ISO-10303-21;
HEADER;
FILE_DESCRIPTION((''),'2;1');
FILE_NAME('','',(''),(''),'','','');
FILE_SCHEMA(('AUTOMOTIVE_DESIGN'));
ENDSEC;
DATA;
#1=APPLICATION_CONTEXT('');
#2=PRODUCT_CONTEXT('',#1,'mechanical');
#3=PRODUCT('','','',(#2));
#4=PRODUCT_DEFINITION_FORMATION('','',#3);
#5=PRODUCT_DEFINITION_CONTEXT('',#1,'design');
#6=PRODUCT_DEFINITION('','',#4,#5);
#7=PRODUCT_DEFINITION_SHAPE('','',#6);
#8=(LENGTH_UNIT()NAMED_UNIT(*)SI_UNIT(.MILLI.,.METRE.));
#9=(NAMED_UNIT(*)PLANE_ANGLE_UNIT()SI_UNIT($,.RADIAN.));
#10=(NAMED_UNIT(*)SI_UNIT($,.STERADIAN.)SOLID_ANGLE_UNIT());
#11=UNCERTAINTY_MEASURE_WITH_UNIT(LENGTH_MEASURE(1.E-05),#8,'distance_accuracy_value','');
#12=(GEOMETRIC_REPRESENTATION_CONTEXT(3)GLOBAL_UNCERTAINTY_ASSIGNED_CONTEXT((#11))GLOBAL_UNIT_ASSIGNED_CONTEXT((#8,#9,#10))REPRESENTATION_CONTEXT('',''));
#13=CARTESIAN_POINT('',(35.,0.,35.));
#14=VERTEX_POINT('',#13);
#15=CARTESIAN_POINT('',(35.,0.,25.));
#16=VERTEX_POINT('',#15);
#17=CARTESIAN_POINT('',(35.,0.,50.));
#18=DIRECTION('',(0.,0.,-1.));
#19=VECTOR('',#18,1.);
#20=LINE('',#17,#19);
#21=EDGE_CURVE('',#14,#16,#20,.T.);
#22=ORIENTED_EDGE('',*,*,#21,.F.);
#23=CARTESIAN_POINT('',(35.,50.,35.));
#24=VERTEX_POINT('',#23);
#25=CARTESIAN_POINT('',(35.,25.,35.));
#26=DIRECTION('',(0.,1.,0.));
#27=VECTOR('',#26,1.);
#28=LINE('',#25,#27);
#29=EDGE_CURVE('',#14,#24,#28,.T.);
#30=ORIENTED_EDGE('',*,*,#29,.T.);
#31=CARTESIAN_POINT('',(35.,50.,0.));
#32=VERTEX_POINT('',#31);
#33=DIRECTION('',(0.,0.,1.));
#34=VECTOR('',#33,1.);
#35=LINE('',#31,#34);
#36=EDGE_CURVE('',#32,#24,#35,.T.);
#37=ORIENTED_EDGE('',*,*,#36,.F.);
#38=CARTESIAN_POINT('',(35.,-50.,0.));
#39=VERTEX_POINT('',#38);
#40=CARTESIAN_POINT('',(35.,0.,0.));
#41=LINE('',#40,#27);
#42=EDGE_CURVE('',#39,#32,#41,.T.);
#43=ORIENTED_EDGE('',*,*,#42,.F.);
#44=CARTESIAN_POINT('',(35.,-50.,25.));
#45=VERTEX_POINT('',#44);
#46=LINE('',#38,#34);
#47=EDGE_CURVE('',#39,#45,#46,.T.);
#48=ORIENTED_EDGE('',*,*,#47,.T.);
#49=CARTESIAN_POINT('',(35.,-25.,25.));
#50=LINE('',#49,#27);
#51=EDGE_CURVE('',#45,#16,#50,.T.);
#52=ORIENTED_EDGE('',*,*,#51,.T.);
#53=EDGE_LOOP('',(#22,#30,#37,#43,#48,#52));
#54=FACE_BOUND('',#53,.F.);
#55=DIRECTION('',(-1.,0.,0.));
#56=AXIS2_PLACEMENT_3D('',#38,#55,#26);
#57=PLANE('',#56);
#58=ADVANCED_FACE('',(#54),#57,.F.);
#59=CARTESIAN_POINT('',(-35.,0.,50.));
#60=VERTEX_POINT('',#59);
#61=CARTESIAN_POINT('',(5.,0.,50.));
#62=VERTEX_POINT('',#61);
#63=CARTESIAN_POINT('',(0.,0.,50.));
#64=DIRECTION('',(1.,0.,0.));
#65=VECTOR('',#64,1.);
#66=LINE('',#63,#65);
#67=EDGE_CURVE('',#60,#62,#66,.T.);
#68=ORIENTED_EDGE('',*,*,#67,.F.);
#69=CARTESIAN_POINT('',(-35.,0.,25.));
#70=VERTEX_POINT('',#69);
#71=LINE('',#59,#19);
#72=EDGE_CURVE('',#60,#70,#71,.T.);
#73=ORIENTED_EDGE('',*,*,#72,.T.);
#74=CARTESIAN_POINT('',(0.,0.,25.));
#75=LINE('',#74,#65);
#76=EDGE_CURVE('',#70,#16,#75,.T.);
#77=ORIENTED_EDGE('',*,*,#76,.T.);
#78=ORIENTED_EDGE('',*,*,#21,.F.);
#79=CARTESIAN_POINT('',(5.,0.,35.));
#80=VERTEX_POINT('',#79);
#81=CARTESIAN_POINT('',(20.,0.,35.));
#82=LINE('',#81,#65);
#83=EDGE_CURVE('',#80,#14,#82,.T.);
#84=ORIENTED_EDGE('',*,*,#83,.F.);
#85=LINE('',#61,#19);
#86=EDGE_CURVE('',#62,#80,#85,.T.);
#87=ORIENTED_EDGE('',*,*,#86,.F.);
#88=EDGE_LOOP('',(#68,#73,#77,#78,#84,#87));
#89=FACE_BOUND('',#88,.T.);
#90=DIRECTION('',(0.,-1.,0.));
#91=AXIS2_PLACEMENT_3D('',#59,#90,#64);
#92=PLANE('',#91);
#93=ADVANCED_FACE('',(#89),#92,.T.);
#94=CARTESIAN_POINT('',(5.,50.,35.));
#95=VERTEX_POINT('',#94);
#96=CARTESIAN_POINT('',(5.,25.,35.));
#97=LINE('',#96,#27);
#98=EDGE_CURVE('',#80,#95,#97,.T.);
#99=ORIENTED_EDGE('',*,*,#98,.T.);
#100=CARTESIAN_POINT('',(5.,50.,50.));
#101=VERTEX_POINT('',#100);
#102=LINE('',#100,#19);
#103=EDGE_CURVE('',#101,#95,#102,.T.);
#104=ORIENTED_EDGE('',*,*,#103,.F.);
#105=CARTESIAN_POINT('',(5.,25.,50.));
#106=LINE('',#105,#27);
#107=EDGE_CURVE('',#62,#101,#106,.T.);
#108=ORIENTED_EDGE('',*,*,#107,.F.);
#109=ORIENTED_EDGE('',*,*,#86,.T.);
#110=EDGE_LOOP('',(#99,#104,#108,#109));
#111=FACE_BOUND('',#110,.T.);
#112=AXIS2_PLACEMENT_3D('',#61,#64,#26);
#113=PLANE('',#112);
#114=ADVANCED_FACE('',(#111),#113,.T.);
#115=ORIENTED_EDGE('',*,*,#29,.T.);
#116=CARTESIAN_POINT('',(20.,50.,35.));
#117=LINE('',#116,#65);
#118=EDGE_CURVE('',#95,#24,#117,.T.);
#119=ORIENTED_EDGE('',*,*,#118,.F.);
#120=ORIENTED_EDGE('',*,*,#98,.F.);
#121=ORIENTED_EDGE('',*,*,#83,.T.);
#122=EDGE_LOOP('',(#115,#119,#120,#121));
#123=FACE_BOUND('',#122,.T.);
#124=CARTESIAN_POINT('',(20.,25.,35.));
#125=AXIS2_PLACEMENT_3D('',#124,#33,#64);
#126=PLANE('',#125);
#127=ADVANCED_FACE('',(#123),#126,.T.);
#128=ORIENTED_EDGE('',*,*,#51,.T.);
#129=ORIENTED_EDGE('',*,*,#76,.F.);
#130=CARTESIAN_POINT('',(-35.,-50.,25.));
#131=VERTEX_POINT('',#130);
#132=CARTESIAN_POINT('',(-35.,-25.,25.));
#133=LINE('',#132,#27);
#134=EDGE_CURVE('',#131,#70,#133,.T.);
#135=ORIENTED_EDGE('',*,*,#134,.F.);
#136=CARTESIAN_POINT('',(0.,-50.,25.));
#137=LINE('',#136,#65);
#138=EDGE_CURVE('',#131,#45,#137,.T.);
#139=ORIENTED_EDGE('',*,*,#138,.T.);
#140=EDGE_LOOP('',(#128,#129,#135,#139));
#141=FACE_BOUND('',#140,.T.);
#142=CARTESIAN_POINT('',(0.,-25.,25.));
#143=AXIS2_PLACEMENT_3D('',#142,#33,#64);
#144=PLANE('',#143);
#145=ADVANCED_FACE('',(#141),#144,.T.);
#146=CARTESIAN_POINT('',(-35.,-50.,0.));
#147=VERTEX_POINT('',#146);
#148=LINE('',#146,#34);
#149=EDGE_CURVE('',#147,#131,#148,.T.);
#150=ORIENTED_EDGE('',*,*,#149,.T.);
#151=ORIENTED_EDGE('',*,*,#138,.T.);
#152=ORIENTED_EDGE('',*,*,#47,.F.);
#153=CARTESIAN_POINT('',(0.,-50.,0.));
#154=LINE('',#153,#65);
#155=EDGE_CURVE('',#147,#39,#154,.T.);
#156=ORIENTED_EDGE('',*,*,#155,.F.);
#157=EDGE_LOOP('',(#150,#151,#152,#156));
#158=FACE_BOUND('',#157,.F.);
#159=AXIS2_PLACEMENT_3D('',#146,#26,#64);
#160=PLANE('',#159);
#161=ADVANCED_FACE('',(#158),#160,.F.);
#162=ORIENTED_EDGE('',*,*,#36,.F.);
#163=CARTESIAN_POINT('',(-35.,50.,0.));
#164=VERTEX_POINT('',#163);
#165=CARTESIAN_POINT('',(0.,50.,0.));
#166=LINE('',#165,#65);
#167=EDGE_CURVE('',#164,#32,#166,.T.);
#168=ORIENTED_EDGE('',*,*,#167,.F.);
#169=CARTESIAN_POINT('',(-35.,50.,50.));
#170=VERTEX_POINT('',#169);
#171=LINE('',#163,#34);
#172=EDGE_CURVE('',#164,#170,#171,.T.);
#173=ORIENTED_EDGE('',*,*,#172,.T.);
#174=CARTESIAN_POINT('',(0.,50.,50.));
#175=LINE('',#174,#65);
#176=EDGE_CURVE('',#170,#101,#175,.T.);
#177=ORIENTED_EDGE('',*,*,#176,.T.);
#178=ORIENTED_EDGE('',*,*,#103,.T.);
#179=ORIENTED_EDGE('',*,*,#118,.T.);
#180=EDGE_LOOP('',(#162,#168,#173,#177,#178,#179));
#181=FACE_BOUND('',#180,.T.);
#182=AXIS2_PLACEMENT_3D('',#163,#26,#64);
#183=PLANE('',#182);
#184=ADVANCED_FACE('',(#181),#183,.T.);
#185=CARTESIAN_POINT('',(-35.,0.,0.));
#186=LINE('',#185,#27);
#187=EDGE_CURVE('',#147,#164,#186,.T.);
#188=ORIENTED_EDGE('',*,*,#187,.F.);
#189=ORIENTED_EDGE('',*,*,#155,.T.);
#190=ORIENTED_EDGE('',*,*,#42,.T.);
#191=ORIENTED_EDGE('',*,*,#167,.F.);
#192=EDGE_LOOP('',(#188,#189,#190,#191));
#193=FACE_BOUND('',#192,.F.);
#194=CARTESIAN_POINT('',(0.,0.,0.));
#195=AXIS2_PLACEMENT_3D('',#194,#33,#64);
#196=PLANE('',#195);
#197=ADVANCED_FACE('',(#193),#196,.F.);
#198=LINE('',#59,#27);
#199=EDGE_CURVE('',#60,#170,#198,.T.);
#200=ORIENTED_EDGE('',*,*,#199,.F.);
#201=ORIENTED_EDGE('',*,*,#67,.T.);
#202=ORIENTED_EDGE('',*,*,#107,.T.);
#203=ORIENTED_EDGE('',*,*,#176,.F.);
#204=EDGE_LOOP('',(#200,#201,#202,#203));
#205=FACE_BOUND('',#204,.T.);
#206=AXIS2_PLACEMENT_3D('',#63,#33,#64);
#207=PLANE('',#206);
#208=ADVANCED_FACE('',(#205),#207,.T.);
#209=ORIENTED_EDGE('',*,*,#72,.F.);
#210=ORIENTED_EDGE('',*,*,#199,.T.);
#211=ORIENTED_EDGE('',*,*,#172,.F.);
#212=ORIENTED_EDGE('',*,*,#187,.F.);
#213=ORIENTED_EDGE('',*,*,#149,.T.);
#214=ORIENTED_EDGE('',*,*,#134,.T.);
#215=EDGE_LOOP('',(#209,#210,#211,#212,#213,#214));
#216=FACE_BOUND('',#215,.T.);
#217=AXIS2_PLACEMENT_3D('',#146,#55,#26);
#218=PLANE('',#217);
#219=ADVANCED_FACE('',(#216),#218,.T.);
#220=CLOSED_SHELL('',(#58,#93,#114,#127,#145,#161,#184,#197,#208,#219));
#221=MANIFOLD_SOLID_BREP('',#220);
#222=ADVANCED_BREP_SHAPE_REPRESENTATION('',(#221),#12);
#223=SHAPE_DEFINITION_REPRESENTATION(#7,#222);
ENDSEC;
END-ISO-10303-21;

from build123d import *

# Parameters (mm, degrees)
F0_W     = 70
F0_H     = 100
F1_DEPTH = 50
F2_W     = 70
F2_H     = 50
F3_DEPTH = 25
F4_W     = 30
F4_H     = 50
F5_DEPTH = 15


with BuildPart() as f1:
    # F0 (on Top) → F1 (new body)
    with BuildSketch(Plane.XY):
        Rectangle(F0_W, F0_H)
    extrude(amount=F1_DEPTH)

    # F2 (on face) → F3 (cut)
    with BuildSketch(Plane.XY.offset(50)):
        with Locations((0, -25)):
            Rectangle(F2_W, F2_H)
    extrude(amount=-F3_DEPTH, mode=Mode.SUBTRACT)

    # F4 (on face) → F5 (cut)
    with BuildSketch(Plane.XY.offset(50)):
        with Locations((20, 25)):
            Rectangle(F4_W, F4_H)
    extrude(amount=-F5_DEPTH, mode=Mode.SUBTRACT)


solid = f1.part
